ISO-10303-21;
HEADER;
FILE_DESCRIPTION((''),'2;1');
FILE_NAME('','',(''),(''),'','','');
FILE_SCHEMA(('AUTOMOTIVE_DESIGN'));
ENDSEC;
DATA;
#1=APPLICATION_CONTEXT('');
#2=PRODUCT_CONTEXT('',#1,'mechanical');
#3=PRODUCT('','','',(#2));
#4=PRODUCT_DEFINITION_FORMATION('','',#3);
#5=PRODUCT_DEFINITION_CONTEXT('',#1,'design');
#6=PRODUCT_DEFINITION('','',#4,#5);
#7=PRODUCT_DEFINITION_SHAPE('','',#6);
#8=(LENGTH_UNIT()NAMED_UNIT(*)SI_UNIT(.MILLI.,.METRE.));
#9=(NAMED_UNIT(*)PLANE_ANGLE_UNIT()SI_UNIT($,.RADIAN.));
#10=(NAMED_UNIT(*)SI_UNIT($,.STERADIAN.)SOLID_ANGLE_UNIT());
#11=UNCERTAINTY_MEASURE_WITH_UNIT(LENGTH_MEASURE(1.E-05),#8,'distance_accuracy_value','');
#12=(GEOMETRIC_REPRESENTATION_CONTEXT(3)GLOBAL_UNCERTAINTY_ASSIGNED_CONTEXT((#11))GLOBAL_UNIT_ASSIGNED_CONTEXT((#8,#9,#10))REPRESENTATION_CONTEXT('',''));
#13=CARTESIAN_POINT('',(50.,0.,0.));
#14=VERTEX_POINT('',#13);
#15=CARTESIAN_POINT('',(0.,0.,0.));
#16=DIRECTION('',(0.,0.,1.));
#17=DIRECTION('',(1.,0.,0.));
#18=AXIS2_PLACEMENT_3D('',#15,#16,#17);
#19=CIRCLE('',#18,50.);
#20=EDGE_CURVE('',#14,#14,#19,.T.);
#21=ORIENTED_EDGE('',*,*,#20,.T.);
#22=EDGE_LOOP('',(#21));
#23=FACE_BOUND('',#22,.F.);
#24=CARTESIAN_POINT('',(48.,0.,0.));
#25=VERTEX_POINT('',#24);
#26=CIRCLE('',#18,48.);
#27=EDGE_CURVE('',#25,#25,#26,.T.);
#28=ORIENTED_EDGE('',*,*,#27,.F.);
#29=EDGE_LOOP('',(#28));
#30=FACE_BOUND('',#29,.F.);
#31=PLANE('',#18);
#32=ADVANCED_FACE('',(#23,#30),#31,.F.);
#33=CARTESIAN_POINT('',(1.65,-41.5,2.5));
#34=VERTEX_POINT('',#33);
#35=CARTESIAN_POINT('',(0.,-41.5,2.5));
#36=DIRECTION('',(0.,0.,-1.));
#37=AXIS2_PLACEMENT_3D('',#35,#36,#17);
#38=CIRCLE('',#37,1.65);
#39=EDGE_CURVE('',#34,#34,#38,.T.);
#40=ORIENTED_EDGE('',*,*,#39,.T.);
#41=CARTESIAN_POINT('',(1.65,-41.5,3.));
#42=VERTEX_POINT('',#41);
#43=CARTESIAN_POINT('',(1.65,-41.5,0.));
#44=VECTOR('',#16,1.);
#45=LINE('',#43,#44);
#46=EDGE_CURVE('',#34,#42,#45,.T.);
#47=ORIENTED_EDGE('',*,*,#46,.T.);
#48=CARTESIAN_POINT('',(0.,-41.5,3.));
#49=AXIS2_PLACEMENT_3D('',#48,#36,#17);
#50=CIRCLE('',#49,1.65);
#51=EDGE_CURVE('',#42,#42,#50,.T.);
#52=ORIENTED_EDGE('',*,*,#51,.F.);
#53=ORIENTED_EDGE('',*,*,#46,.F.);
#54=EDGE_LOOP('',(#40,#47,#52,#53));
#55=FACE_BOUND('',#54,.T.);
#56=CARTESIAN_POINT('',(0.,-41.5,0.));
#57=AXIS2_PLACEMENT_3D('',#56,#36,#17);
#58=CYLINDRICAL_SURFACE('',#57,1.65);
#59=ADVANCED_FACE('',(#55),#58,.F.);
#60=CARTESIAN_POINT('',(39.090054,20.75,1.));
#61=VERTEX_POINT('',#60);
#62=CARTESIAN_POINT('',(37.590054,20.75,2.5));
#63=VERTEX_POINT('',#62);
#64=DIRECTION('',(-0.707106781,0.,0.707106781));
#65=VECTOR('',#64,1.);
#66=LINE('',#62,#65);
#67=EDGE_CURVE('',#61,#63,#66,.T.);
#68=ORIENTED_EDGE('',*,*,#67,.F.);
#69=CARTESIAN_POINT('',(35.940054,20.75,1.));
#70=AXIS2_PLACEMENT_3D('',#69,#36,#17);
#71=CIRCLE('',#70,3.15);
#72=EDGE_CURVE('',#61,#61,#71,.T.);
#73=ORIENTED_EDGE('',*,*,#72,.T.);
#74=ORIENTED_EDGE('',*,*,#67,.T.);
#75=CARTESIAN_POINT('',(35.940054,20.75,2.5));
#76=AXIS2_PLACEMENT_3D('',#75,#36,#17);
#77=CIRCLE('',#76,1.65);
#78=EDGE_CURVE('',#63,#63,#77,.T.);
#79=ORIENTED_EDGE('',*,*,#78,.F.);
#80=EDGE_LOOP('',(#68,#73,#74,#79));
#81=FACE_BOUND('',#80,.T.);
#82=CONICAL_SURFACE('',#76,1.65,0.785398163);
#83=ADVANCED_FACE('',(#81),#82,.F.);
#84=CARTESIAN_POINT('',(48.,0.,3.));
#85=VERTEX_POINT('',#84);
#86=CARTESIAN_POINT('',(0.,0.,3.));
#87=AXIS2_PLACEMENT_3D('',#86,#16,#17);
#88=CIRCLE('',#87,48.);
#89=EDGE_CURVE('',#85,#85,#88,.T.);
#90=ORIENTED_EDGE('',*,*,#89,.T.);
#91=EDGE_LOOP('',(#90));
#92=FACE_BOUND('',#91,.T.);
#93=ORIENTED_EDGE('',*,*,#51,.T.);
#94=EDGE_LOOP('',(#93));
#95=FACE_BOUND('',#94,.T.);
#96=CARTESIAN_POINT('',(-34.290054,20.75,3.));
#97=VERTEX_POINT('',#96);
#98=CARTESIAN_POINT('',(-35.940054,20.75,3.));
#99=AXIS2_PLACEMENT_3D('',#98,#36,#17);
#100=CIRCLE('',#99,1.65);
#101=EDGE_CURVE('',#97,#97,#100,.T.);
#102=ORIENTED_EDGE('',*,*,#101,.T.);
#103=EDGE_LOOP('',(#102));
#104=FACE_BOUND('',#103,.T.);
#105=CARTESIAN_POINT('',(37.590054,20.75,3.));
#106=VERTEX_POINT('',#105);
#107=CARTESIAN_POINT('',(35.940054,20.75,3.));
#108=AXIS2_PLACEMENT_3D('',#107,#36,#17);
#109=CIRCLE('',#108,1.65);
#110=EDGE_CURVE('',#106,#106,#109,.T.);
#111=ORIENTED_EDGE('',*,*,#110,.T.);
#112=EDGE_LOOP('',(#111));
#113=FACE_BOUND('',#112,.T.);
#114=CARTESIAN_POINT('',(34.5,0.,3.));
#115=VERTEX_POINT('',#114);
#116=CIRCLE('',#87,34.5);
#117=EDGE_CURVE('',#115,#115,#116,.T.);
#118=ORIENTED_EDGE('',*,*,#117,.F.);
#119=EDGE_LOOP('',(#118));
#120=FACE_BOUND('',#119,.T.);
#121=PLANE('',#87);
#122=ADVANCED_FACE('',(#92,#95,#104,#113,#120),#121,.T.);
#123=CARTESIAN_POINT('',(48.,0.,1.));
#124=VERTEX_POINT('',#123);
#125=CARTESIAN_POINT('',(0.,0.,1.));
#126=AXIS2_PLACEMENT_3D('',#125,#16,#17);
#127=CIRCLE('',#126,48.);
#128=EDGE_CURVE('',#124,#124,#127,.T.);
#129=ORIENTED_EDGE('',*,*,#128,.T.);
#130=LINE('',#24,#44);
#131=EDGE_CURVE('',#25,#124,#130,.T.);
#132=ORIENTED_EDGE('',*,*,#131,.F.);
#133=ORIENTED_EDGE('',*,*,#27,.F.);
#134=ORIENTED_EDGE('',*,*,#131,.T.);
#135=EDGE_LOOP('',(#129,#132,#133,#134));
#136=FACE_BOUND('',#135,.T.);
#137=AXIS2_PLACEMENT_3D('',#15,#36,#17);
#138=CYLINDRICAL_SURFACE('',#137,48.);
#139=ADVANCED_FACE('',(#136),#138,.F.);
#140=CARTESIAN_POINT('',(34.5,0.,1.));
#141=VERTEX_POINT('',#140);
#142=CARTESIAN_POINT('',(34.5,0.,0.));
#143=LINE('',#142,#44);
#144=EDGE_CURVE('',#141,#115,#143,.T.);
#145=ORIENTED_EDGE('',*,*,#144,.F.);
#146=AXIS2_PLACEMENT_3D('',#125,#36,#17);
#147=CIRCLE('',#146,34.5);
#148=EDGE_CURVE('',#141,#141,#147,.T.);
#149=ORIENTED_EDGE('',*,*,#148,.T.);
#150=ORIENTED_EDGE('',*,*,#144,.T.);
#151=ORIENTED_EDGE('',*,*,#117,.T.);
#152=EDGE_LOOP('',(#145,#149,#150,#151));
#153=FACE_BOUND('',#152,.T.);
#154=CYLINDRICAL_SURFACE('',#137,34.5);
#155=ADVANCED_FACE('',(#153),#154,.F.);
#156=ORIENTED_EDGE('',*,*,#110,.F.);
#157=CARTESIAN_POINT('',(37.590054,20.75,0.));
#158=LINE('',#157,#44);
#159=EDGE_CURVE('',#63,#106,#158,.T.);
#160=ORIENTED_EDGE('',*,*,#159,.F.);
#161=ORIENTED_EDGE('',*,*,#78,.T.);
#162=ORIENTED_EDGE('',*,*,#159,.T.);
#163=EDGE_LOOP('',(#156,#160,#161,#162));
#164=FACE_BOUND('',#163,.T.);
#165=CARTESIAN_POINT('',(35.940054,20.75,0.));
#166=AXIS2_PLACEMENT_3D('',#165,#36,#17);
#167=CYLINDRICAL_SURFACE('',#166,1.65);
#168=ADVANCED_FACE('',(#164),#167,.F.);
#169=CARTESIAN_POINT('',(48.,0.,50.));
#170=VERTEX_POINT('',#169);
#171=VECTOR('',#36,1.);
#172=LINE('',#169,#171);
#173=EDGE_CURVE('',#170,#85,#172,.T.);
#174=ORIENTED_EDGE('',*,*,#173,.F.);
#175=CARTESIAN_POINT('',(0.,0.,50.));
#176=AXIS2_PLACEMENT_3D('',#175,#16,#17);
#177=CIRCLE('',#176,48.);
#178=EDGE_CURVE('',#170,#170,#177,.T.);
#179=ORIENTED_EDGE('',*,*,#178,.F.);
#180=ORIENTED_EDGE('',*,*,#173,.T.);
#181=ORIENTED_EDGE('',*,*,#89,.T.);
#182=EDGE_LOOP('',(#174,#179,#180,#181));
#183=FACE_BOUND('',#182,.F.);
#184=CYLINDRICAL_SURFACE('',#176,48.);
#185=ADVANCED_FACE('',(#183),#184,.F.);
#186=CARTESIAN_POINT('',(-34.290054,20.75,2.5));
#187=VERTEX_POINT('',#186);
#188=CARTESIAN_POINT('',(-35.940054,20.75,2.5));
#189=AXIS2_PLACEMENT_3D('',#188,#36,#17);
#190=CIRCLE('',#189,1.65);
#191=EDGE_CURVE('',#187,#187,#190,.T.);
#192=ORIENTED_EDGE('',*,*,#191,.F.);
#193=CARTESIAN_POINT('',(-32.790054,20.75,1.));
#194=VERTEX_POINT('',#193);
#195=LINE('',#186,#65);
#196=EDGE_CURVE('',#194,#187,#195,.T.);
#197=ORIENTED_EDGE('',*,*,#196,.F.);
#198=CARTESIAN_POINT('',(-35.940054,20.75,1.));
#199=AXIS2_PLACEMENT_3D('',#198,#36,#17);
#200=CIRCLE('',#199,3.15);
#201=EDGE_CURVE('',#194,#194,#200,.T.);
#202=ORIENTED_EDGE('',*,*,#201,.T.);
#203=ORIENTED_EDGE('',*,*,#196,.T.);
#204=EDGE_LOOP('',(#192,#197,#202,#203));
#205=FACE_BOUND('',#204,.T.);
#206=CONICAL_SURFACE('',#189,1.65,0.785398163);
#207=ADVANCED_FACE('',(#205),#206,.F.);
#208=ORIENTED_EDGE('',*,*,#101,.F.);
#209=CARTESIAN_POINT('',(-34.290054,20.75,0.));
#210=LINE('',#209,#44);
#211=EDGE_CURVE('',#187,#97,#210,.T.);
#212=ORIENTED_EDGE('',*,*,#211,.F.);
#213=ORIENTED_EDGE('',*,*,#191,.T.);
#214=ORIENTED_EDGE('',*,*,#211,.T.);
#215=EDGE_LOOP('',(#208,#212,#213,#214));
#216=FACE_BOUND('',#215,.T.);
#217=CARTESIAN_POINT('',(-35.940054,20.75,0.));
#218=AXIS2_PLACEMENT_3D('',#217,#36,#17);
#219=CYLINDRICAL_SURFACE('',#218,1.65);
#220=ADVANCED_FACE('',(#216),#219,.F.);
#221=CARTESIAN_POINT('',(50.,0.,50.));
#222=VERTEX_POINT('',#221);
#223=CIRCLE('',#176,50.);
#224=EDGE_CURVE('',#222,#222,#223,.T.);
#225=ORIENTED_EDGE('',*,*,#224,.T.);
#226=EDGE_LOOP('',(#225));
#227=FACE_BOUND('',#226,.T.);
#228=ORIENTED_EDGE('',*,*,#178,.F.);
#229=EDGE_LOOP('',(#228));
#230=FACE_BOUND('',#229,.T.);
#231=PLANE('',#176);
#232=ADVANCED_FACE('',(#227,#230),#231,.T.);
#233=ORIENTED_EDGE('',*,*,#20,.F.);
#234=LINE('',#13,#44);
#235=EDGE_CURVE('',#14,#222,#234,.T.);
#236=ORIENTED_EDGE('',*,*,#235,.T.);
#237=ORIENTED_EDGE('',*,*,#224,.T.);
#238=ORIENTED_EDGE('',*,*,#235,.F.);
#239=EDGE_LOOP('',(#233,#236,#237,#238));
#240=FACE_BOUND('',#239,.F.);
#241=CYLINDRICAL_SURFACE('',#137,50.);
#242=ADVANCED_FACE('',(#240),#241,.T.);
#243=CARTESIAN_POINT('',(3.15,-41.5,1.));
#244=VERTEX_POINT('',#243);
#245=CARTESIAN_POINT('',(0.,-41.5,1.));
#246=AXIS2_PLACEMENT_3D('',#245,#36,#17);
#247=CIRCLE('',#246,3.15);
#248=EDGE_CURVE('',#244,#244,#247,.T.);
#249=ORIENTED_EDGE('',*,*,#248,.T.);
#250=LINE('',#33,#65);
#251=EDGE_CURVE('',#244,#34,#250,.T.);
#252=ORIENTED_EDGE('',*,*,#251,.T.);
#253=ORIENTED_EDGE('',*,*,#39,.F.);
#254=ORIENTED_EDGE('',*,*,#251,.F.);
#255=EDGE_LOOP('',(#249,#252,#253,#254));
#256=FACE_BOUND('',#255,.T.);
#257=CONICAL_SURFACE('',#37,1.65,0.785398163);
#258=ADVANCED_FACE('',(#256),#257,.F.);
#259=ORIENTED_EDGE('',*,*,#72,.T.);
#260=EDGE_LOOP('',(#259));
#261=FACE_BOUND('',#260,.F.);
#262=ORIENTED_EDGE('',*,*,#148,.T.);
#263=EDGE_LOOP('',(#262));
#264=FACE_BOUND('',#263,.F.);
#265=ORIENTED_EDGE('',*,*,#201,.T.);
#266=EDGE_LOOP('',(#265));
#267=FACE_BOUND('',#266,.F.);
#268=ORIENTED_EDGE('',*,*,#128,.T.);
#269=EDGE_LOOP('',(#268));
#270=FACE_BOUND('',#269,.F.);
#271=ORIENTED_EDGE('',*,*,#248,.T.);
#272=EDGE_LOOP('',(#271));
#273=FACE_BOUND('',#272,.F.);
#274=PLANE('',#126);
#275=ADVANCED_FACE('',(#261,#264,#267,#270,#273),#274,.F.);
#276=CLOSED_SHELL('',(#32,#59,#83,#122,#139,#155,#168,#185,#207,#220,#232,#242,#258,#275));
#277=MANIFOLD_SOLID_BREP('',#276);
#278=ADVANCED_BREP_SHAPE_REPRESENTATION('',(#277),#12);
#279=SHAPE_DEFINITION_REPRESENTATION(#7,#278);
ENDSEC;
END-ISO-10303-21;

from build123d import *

# Parameters (mm, degrees)
F0_R      = 50
F3_DEPTH  = 50
F2_R      = 48
F4_DEPTH  = 47
F5_R      = 34.5
F6_DEPTH  = 3
F7_R      = 48
F8_DEPTH  = 1
F9_R      = 1.65
F10_DEPTH = 25
F12_SIZE  = 1.5


with BuildPart() as f3:
    # F0 (on Top) → F3 (new body)
    with BuildSketch(Plane.XY):
        Circle(F0_R)
    extrude(amount=F3_DEPTH)

    # F2 (on offset) → F4 (cut)
    with BuildSketch(Plane.XY.offset(50)):
        Circle(F2_R)
    extrude(amount=-F4_DEPTH, mode=Mode.SUBTRACT)

    # F5 (on Top) → F6 (cut)
    with BuildSketch(Plane.XY):
        Circle(F5_R)
    extrude(amount=F6_DEPTH, mode=Mode.SUBTRACT)

    # F7 (on Top) → F8 (cut)
    with BuildSketch(Plane.XY):
        Circle(F7_R)
    extrude(amount=F8_DEPTH, mode=Mode.SUBTRACT)

    # F9 (on Top) → F10 (cut)
    with BuildSketch(Plane.XY):
        with Locations((0, -41.5)):
            Circle(F9_R)
        with Locations((35.9400542571, 20.75)):
            Circle(F9_R)
        with Locations((-35.9400542571, 20.75)):
            Circle(F9_R)
    extrude(amount=F10_DEPTH, mode=Mode.SUBTRACT)

    # F12
    f12_edges = [f3.edges().sort_by_distance(p)[0] for p in [
        (-37.590054, 20.75, 1),
        (-1.65, -41.5, 1),
        (34.290054, 20.75, 1),
    ]]
    chamfer(f12_edges, length=F12_SIZE)


solid = f3.part
